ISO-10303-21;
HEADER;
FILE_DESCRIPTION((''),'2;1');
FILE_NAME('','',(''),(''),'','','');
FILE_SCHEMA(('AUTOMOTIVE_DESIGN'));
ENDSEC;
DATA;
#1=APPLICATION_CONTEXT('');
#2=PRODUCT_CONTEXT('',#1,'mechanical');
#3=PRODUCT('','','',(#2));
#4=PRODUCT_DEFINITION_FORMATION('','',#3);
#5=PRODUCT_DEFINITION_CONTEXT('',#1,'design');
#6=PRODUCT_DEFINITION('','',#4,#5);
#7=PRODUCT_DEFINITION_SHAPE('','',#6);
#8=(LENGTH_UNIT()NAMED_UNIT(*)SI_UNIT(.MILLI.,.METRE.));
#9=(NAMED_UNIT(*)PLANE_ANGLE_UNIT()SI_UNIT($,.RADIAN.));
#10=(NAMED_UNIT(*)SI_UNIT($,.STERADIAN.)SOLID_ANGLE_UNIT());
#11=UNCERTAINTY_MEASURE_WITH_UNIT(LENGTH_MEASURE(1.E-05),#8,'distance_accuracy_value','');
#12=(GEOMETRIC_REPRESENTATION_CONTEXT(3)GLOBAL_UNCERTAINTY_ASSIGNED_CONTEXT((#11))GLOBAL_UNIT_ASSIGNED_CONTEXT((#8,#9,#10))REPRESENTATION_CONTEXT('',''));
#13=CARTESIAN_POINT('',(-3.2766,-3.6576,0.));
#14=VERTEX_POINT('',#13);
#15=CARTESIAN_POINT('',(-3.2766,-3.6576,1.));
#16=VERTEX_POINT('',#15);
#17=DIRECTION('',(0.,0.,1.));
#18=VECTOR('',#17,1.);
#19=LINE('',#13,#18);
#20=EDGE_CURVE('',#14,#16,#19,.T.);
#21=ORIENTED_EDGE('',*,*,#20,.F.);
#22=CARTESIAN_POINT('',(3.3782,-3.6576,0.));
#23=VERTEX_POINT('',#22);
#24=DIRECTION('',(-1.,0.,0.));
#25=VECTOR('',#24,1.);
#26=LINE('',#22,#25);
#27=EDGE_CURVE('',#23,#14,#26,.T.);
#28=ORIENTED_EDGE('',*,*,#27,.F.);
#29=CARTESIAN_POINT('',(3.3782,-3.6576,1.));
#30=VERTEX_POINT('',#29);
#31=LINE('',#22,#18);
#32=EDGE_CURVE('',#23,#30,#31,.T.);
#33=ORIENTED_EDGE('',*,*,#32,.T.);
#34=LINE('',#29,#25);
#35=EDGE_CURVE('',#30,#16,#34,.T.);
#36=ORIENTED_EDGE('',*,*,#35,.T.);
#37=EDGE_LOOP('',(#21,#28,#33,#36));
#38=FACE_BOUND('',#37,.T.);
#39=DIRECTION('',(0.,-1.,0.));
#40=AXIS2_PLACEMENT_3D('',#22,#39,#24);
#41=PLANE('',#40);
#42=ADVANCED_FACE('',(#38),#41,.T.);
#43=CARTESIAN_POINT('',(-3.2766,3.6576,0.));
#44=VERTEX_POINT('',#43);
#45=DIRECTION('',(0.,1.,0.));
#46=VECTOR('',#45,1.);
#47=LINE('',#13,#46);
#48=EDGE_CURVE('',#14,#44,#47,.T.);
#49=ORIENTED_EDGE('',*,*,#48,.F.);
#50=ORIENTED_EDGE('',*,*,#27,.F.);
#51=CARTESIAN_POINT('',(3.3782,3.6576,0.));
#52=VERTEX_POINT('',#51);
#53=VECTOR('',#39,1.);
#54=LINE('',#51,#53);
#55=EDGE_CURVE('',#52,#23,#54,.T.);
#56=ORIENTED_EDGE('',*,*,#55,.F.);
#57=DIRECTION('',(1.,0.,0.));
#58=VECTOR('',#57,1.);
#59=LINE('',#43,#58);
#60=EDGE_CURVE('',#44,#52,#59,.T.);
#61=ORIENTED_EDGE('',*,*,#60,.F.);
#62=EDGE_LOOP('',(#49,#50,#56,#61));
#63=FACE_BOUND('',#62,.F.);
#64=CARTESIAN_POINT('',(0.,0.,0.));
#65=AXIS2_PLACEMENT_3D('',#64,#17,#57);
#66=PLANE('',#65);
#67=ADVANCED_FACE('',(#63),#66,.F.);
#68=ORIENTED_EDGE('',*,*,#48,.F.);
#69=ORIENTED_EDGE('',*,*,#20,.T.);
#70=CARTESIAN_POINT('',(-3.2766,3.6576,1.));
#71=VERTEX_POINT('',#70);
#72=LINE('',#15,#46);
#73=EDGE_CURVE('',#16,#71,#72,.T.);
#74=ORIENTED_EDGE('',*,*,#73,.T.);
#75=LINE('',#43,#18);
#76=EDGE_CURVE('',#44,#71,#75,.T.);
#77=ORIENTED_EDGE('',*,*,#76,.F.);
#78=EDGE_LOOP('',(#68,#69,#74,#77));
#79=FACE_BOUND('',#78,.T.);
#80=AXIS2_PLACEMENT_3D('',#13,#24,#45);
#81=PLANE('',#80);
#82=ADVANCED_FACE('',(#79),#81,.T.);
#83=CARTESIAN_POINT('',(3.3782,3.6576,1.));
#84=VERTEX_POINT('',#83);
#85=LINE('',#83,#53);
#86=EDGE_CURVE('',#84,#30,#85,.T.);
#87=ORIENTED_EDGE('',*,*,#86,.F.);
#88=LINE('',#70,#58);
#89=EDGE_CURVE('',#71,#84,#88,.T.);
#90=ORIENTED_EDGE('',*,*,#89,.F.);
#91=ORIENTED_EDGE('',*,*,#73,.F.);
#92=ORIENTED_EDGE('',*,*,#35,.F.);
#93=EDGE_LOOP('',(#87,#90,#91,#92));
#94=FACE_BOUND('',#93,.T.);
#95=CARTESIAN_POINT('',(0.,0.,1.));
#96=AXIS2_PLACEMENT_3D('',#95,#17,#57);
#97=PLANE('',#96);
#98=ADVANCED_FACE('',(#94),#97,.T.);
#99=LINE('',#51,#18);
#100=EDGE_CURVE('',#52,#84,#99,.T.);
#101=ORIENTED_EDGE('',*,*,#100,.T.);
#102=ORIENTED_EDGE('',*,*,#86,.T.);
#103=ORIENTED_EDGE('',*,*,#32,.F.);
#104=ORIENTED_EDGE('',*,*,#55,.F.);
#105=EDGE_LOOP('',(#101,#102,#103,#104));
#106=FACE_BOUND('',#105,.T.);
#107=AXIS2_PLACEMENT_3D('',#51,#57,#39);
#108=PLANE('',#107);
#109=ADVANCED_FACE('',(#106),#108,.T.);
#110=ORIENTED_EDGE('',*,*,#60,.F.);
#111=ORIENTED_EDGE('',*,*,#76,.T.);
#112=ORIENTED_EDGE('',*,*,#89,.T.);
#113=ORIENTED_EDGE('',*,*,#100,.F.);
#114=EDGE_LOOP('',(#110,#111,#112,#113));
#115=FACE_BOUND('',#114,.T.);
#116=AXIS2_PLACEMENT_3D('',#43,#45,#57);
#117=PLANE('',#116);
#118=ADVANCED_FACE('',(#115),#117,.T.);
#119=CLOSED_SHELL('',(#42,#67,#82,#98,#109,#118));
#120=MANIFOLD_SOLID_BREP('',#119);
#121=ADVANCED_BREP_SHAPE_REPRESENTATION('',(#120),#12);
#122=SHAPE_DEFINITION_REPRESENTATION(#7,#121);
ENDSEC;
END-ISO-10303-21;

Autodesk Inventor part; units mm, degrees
ref_plane "YZ Plane" through (0, 0, 0) normal (1, 0, 0) x (0, 1, 0)
ref_plane "XZ Plane" through (0, 0, 0) normal (0, 1, 0) x (-1, 0, 0)
ref_plane "XY Plane" through (0, 0, 0) normal (0, 0, 1) x (1, 0, 0)
sketch "SOT223, U3_SOT223_16" plane through (0, 0, 0) normal (0, 0, 1) x (1, 0, 0)
  line L0 (-3.2766, 3.6576) -> (3.3782, 3.6576)
  line L1 (3.3782, 3.6576) -> (3.3782, -3.6576)
  line L2 (3.3782, -3.6576) -> (-3.2766, -3.6576)
  line L3 (-3.2766, -3.6576) -> (-3.2766, 3.6576)
extrude "Выдавливание1" add sketch "SOT223, U3_SOT223_16" along normal blind 1
properties part number "U3_SOT223"
